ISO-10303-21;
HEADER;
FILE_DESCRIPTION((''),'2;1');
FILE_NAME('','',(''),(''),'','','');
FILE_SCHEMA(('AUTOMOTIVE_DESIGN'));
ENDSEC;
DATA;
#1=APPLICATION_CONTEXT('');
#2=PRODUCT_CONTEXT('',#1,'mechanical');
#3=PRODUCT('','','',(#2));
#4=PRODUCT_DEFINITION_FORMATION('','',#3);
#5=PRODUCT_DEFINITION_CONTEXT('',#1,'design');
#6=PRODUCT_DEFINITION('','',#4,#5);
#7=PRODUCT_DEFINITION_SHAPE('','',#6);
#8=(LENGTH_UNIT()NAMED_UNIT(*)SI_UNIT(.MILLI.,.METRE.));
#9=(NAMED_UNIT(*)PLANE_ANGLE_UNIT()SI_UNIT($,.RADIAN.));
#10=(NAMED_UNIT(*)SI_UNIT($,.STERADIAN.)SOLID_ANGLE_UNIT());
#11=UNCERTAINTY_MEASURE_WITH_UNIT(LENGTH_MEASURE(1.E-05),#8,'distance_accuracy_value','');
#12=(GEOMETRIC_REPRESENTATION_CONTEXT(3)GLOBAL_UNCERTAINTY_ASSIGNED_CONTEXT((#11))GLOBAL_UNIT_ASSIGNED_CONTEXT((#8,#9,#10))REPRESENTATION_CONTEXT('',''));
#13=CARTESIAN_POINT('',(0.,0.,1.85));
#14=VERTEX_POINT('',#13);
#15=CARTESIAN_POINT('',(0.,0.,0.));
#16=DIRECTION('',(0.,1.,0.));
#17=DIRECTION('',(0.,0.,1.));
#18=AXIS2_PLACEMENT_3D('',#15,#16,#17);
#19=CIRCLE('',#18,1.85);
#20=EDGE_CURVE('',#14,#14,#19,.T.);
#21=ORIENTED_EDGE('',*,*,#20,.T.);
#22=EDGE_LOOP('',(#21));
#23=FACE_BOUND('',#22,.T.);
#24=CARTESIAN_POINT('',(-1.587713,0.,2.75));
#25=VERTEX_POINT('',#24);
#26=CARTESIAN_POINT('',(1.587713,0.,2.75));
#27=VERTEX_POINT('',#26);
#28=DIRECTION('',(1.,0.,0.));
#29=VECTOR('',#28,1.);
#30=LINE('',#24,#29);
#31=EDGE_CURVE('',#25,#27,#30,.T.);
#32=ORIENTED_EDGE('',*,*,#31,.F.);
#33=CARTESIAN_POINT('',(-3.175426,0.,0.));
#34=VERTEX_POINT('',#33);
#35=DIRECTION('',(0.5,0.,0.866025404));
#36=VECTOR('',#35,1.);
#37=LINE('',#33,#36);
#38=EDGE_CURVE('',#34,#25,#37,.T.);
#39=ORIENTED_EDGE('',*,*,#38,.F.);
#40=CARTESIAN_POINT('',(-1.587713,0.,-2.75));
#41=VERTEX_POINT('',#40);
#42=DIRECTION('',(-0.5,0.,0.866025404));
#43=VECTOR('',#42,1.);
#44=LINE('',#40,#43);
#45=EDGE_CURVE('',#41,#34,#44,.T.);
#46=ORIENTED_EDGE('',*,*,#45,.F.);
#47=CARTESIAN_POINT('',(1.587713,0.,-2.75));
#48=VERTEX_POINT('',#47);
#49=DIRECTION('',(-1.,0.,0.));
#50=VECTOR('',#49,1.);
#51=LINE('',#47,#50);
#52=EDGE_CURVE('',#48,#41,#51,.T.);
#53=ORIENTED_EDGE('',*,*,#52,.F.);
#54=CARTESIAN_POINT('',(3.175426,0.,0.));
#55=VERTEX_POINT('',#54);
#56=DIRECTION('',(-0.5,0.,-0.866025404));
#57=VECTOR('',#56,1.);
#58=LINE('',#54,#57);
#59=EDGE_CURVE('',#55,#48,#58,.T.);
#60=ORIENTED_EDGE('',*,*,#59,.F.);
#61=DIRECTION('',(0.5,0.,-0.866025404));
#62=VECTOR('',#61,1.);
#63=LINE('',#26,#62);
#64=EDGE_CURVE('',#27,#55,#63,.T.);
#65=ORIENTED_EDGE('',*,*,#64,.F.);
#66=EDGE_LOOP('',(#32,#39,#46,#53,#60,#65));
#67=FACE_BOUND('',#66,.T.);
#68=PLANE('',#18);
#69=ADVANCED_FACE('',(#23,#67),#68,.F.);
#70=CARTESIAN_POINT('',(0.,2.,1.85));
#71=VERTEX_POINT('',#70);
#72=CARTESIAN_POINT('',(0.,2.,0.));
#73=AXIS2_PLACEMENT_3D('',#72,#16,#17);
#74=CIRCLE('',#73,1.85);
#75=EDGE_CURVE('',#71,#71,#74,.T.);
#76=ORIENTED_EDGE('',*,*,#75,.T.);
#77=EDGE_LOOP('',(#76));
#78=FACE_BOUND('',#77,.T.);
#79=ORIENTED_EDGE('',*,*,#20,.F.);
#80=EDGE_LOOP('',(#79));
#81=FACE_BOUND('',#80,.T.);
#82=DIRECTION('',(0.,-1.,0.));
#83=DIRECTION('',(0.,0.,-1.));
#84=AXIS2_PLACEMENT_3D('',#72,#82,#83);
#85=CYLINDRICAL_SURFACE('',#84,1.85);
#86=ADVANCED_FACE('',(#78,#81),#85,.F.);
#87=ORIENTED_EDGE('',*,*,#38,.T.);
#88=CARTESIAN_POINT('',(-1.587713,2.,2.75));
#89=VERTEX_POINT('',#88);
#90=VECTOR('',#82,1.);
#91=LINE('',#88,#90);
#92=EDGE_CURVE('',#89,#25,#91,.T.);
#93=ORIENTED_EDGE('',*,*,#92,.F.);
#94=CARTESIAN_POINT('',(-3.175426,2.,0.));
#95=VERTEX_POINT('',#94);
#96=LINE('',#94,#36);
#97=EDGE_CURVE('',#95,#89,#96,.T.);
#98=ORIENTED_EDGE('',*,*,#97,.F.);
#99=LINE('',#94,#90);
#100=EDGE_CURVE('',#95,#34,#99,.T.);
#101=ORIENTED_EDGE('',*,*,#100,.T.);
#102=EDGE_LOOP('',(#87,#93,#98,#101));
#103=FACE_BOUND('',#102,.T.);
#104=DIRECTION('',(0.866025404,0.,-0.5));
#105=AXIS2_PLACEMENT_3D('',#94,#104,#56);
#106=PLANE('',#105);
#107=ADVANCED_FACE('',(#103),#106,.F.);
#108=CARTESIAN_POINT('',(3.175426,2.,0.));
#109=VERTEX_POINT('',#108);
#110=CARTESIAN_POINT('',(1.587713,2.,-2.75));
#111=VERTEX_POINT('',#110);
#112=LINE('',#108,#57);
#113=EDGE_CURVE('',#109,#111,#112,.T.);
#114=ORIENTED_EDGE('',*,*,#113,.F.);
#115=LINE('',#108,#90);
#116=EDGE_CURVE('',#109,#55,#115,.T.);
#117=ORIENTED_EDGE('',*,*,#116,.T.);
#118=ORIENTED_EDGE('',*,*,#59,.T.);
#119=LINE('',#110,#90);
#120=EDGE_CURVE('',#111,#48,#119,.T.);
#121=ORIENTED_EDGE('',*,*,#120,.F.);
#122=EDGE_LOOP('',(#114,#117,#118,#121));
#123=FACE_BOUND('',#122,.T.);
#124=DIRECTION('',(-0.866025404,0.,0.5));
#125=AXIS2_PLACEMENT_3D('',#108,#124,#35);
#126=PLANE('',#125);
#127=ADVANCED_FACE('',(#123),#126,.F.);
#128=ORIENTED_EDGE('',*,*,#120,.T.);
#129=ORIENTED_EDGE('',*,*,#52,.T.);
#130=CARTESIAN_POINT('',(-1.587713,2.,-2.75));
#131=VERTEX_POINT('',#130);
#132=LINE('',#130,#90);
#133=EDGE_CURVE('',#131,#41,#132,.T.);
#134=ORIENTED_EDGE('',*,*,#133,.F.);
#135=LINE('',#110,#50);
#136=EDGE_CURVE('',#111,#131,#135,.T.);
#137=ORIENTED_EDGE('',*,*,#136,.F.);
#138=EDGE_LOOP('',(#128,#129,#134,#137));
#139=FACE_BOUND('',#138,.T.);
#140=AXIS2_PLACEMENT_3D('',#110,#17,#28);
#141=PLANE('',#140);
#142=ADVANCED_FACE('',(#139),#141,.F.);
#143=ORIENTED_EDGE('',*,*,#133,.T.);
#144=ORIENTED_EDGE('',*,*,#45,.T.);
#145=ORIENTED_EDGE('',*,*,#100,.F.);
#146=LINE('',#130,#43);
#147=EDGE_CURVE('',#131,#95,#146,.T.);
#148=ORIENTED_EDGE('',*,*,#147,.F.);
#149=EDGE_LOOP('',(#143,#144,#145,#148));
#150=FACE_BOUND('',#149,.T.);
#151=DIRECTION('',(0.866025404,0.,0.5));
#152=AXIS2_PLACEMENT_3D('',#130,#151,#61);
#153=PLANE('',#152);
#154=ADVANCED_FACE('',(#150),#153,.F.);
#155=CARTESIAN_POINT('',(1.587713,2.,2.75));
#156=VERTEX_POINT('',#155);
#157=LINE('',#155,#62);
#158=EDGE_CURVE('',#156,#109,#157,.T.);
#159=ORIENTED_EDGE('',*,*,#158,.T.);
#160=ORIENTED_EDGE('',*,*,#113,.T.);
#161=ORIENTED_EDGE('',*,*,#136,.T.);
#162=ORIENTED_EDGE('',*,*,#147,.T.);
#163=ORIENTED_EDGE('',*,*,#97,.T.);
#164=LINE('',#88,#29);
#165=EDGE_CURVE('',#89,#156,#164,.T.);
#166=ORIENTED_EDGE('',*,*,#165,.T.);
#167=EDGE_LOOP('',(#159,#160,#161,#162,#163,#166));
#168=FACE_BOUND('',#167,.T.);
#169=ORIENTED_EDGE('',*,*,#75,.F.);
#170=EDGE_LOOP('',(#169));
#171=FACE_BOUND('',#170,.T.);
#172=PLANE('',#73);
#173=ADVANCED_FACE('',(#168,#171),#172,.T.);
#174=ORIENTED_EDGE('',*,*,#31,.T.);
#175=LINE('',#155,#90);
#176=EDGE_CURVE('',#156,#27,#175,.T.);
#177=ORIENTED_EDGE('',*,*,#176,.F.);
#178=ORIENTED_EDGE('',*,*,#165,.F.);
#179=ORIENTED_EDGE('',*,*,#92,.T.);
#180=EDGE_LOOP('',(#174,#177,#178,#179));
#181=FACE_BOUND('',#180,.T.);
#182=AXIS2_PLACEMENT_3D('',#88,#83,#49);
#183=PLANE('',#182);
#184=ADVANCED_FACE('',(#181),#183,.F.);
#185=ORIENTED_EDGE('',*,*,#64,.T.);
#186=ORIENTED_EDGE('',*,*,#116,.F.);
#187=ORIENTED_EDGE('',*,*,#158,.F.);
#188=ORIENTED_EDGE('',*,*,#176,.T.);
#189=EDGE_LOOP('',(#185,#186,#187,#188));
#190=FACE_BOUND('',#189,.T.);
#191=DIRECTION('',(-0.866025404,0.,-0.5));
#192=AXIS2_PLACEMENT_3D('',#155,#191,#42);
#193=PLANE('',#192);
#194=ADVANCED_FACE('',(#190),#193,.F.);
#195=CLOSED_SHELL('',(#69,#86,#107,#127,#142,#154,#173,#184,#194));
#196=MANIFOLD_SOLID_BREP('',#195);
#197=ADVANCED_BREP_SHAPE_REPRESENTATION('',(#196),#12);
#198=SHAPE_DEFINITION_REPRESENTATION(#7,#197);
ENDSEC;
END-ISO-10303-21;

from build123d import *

# Parameters (mm, degrees)
SKETCH1_R           = 1.85
BOSS_EXTRUDE1_DEPTH = 2


with BuildPart() as part:
    # Sketch1 → Boss-Extrude1 (new body)
    with BuildSketch(Plane(origin=(0, 0, 0), x_dir=(1, 0, 0), z_dir=(0, 1, 0))):
        Polygon((3.175426481, 0), (1.58771324, 2.75), (-1.58771324, 2.75), (-3.175426481, 0), (-1.58771324, -2.75), (1.58771324, -2.75), align=None)
        with Locations(Location((0, 0, 0), (0, 0, 270))):
            Circle(SKETCH1_R, mode=Mode.SUBTRACT)
    extrude(amount=BOSS_EXTRUDE1_DEPTH)


solid = part.part
